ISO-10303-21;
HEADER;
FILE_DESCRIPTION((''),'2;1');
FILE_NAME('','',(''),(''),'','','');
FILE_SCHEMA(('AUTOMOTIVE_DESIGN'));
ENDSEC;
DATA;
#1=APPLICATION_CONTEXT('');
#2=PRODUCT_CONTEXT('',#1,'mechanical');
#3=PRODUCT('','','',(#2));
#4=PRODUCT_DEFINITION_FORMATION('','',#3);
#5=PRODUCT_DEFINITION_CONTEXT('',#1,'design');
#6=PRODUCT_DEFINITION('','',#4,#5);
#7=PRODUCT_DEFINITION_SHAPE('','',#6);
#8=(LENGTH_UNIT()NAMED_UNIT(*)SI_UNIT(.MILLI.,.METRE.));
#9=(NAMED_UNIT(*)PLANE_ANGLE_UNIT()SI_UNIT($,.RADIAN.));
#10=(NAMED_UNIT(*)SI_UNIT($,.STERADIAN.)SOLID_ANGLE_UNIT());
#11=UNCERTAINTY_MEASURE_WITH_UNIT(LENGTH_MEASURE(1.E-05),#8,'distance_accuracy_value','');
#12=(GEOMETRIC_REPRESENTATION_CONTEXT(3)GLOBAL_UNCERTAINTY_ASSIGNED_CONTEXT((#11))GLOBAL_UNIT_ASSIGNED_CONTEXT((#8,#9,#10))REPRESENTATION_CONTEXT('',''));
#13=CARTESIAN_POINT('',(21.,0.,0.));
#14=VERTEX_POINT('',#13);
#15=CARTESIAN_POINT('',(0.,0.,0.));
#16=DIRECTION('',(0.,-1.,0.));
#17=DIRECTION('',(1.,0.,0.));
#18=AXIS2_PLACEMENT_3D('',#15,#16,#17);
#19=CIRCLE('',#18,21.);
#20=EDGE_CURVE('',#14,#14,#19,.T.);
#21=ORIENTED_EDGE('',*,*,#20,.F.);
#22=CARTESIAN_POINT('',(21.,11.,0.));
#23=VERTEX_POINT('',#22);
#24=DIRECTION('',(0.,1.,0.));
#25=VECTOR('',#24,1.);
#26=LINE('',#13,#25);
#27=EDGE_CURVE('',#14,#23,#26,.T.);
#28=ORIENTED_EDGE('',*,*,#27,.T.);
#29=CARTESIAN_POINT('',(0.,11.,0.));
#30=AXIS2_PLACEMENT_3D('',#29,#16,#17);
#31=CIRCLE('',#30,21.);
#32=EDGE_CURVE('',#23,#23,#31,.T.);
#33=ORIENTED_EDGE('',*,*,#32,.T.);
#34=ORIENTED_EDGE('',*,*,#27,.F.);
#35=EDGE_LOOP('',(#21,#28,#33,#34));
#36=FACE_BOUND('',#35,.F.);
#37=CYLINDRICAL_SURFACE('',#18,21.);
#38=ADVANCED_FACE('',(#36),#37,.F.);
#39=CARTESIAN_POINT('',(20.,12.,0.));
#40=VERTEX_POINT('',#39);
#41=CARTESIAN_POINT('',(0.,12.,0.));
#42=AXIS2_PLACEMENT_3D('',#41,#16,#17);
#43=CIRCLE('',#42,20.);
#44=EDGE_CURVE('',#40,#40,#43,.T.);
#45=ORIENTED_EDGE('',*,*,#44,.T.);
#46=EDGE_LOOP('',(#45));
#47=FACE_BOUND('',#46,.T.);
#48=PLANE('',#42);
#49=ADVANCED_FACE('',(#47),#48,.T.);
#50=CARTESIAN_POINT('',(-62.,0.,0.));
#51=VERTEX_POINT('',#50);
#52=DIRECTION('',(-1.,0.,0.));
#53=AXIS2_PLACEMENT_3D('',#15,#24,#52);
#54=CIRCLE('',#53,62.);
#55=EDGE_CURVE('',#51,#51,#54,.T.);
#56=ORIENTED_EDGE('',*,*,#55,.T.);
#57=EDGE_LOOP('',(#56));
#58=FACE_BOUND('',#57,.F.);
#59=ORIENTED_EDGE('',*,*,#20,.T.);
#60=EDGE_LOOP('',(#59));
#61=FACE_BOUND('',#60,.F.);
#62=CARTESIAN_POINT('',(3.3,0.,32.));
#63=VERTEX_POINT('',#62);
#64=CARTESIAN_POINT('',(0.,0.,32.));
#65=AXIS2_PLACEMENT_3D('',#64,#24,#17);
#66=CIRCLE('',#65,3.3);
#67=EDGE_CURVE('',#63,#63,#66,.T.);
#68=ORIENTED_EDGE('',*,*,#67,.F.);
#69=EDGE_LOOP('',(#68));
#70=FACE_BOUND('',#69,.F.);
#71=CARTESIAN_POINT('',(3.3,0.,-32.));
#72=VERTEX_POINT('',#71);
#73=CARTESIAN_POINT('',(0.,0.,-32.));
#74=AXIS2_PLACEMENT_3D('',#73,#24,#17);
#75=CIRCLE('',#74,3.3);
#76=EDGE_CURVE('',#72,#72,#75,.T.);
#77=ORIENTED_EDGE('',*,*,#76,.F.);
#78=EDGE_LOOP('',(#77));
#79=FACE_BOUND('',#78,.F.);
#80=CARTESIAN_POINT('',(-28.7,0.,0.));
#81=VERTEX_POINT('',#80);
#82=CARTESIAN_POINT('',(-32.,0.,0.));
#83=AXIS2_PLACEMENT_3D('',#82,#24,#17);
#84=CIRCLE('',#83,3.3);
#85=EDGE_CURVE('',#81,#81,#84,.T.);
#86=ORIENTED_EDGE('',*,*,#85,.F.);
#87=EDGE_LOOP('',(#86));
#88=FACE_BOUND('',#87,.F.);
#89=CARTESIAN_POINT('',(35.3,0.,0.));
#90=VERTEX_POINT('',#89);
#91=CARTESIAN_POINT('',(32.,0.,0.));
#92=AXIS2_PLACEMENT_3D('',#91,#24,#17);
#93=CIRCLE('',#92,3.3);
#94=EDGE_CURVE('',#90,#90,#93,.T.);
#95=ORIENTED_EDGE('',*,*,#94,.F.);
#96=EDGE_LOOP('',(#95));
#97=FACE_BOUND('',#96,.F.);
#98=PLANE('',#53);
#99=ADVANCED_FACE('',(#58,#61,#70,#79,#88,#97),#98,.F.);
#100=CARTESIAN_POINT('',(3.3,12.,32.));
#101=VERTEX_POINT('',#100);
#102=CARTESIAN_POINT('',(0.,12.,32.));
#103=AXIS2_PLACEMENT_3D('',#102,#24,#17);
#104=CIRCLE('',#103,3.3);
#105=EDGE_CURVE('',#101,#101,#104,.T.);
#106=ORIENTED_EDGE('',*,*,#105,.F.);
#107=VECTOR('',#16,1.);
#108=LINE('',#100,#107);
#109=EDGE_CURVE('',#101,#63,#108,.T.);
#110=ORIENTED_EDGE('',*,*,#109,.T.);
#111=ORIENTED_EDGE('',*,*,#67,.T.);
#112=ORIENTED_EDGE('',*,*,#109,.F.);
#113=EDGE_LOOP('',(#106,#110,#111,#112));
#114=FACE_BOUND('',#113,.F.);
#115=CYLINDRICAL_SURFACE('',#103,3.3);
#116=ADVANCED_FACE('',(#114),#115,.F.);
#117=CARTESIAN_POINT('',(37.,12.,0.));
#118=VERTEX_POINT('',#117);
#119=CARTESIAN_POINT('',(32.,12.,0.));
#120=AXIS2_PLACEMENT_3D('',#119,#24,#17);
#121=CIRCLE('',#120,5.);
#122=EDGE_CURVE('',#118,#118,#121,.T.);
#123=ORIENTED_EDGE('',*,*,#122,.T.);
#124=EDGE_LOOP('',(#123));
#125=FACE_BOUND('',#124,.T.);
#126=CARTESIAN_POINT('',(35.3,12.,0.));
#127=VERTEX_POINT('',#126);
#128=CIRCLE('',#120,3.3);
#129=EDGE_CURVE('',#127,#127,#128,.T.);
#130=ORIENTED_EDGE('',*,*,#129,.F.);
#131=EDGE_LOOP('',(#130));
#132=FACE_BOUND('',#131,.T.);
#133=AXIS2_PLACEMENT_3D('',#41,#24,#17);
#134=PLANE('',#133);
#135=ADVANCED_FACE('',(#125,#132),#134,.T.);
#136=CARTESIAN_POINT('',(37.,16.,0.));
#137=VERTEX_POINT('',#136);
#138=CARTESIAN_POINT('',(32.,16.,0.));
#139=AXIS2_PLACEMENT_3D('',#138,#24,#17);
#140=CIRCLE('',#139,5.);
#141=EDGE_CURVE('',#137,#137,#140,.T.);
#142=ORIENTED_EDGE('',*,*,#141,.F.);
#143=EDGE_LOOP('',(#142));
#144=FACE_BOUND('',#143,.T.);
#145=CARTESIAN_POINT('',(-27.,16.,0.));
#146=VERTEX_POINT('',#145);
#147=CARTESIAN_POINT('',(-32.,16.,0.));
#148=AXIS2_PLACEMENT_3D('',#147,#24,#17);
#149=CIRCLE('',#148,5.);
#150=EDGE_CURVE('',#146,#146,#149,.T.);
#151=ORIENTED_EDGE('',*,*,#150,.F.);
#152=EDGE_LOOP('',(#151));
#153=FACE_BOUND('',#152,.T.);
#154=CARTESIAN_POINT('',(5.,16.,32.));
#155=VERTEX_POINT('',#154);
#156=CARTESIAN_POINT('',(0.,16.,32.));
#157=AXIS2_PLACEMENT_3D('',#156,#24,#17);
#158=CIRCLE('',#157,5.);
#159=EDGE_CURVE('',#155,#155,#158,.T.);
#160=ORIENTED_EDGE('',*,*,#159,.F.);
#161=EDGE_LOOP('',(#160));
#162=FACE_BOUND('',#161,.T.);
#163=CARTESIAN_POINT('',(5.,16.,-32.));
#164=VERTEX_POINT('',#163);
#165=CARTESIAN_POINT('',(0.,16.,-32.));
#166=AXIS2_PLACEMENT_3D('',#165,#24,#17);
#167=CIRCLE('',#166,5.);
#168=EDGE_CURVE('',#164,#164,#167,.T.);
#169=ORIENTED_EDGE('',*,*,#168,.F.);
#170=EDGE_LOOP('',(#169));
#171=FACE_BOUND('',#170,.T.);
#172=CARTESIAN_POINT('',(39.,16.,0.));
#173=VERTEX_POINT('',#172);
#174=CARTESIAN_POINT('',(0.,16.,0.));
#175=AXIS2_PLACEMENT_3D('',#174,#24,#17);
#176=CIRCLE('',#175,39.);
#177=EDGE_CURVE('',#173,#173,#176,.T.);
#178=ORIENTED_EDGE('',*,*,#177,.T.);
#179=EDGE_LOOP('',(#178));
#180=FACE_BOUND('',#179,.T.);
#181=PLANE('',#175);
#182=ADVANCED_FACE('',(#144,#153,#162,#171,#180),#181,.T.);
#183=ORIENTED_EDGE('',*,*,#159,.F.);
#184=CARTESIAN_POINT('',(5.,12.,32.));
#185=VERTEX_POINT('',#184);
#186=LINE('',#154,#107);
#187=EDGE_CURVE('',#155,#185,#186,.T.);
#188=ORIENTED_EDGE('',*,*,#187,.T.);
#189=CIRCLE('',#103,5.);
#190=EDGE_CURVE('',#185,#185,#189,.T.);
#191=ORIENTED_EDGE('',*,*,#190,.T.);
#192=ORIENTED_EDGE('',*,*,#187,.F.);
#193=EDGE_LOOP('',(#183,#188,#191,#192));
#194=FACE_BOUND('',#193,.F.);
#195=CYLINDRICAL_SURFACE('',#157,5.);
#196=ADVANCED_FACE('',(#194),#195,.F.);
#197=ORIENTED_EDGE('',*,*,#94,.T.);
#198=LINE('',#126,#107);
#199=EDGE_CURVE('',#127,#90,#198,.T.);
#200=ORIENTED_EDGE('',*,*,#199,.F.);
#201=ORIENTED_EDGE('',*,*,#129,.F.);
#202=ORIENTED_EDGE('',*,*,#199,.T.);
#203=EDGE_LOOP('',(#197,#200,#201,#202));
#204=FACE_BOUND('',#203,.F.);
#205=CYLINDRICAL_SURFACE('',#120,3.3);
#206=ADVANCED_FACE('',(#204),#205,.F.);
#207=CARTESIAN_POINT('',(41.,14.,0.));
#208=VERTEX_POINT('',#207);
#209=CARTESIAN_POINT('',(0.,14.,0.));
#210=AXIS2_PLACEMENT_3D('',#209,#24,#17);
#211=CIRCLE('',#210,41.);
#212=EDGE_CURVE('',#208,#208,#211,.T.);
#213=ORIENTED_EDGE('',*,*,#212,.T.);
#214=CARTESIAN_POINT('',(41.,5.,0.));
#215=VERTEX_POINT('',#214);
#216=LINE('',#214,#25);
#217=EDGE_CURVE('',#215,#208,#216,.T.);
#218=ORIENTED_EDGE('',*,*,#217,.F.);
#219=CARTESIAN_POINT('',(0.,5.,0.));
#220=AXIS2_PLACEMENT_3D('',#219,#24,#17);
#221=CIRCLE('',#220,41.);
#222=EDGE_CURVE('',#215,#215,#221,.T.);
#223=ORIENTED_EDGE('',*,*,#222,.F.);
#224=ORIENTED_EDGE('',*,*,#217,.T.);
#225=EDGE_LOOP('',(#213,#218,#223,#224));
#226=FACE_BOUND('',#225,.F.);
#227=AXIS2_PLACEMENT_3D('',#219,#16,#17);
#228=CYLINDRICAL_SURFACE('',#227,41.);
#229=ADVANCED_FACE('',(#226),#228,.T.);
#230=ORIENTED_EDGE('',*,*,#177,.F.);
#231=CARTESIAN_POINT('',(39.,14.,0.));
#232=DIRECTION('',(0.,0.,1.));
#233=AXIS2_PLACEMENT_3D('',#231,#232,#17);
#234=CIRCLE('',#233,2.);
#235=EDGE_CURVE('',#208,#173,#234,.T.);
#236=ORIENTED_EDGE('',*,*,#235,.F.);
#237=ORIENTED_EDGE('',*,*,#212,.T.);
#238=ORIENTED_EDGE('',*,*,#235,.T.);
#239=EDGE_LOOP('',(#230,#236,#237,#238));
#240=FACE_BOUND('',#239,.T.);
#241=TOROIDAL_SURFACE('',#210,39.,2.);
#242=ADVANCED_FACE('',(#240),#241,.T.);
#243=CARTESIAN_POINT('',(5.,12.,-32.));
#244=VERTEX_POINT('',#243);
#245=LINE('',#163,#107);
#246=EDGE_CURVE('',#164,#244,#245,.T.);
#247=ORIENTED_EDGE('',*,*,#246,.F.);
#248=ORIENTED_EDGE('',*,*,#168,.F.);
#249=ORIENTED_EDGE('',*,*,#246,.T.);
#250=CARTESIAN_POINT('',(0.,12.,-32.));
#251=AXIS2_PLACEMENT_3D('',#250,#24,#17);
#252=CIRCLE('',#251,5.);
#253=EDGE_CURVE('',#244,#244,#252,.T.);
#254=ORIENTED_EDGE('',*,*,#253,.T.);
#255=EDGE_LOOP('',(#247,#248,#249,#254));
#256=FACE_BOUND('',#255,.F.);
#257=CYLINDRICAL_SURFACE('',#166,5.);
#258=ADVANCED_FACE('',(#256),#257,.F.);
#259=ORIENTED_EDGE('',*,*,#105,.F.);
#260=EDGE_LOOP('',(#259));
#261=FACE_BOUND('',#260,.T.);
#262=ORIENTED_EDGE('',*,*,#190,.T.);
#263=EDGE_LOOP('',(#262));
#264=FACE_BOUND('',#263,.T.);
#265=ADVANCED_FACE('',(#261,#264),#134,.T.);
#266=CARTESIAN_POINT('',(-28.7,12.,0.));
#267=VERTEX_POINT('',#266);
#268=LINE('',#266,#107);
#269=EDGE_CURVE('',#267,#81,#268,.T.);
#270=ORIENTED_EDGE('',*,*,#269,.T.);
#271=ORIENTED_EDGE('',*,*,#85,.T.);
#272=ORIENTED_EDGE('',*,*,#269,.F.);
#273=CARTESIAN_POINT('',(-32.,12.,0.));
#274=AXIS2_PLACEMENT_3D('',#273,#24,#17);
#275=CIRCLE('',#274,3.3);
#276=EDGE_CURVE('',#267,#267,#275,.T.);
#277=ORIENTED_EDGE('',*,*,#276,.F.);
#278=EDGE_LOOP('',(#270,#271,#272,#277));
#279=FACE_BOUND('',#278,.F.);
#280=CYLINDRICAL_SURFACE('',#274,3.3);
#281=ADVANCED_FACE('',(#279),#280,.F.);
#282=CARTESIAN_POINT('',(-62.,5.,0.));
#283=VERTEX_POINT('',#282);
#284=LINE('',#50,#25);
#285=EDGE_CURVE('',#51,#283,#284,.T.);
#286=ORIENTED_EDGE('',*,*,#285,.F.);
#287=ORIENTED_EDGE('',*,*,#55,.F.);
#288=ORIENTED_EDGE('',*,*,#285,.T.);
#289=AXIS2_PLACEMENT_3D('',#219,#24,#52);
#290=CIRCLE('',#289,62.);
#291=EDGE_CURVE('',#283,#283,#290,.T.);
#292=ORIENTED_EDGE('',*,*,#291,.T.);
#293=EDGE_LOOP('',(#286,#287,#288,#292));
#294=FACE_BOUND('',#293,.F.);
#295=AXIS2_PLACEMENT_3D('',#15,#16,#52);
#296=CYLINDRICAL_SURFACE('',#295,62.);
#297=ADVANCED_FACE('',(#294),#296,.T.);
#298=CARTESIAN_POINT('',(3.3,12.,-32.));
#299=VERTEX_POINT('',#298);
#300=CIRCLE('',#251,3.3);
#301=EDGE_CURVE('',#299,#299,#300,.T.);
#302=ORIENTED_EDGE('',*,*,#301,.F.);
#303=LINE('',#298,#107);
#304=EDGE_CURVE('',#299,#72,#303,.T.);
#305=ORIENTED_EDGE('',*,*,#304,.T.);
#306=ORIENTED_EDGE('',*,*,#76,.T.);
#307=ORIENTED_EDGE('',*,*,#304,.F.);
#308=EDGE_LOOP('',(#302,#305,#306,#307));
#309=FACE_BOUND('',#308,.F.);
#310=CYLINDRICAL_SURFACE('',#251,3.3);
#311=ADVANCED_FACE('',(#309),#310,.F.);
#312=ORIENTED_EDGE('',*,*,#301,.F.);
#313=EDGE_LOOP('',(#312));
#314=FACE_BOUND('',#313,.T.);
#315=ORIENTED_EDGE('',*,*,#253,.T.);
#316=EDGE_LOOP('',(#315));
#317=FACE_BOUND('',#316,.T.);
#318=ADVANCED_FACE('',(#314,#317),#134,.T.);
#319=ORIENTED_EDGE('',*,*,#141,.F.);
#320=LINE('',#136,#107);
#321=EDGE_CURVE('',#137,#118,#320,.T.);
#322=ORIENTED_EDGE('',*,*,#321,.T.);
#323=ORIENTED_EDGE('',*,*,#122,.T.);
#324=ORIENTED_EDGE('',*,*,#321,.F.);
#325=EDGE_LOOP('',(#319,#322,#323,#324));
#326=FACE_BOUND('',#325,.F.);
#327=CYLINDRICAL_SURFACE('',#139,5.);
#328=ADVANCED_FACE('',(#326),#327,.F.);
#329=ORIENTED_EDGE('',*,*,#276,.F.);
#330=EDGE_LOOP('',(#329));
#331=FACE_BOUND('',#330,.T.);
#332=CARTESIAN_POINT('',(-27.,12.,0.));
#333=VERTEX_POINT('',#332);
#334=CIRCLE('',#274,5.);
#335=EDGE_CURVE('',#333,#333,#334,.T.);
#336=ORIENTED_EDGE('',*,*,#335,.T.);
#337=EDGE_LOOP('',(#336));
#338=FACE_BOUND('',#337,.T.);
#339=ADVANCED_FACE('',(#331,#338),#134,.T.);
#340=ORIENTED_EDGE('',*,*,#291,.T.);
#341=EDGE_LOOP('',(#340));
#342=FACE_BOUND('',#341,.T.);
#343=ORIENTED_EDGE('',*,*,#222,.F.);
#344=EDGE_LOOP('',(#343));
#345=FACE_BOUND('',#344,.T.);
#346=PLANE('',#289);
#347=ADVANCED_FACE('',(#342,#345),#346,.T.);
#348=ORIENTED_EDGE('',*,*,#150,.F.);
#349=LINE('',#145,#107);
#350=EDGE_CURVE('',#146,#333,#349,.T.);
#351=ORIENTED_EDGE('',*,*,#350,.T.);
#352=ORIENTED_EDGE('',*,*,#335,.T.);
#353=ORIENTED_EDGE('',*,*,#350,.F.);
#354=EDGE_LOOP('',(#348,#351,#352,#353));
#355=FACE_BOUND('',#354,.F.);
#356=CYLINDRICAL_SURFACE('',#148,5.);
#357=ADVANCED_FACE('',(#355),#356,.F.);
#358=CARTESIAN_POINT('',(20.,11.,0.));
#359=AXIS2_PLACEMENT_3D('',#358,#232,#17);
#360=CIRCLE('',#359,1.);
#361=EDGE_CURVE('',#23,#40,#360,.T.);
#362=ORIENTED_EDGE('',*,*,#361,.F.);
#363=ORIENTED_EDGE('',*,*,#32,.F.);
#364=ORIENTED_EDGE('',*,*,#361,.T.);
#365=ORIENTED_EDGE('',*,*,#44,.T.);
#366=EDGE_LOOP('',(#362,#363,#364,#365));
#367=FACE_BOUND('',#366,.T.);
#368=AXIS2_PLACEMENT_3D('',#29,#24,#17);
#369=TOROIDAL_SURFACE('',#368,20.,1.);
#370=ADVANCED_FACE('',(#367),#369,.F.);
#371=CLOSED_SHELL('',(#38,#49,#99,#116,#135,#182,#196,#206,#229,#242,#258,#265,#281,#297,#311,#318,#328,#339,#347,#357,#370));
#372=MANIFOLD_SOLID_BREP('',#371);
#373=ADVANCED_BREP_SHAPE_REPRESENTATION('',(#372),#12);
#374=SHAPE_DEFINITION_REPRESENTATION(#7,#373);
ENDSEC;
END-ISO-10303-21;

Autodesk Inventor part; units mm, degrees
ref_plane "YZ Plane" through (0, 0, 0) normal (1, 0, 0) x (0, 1, 0)
ref_plane "XZ Plane" through (0, 0, 0) normal (0, 1, 0) x (-1, 0, 0)
ref_plane "XY Plane" through (0, 0, 0) normal (0, 0, 1) x (1, 0, 0)
sketch "Boceto1" plane through (0, 0, 0) normal (0, 1, 0) x (-1, 0, 0)
  circle A0 centre (0, 0) radius 62
  dimension "d0" = 124
extrude "Extrusión1" add sketch "Boceto1" along normal blind 5
sketch "Boceto2" plane through (0, 5, 0) normal (0, 1, 0) x (1, 0, 0)
  circle A0 centre (0, 0) radius 41
  dimension "d3" = 82
extrude "Extrusión2" add sketch "Boceto2" along normal blind 11
sketch "Boceto3" plane through (0, 16, 0) normal (0, 1, 0) x (1, 0, 0)
  circle A0 centre (-32, 0) radius 5
  circle A1 centre (0, -32) radius 5
  circle A2 centre (32, 0) radius 5
  circle A3 centre (0, 32) radius 5
  point P0 (0, 0)
  dimension "d7" = 10
  dimension "d10" = 360
extrude "Extrusión3" cut sketch "Boceto3" against normal blind 4
sketch "Boceto4" plane through (32, 12, 0) normal (0, 1, 0) x (1, 0, 0)
  circle A0 centre (0, 0) radius 3.3
  circle A1 centre (-32, 32) radius 3.3
  circle A2 centre (-64, 0) radius 3.3
  circle A3 centre (-32, -32) radius 3.3
  point P0 (-32, 0)
  dimension "d14" = 6.6
  dimension "d17" = 360
extrude "Extrusión4" cut sketch "Boceto4" against normal blind 12
sketch "Boceto5" plane through (0, 0, 0) normal (0, -1, 0) x (1, 0, 0)
  circle A0 centre (0, 0) radius 21
  dimension "d21" = 42
extrude "Extrusión5" cut sketch "Boceto5" against normal blind 12
fillet "Empalme1" radius 2 1 edges at (-41, 16, 0)
fillet "Empalme2" radius 1 1 edges at (-21, 12, 0)
properties part number "Trabajo Dibujo pieza1"
